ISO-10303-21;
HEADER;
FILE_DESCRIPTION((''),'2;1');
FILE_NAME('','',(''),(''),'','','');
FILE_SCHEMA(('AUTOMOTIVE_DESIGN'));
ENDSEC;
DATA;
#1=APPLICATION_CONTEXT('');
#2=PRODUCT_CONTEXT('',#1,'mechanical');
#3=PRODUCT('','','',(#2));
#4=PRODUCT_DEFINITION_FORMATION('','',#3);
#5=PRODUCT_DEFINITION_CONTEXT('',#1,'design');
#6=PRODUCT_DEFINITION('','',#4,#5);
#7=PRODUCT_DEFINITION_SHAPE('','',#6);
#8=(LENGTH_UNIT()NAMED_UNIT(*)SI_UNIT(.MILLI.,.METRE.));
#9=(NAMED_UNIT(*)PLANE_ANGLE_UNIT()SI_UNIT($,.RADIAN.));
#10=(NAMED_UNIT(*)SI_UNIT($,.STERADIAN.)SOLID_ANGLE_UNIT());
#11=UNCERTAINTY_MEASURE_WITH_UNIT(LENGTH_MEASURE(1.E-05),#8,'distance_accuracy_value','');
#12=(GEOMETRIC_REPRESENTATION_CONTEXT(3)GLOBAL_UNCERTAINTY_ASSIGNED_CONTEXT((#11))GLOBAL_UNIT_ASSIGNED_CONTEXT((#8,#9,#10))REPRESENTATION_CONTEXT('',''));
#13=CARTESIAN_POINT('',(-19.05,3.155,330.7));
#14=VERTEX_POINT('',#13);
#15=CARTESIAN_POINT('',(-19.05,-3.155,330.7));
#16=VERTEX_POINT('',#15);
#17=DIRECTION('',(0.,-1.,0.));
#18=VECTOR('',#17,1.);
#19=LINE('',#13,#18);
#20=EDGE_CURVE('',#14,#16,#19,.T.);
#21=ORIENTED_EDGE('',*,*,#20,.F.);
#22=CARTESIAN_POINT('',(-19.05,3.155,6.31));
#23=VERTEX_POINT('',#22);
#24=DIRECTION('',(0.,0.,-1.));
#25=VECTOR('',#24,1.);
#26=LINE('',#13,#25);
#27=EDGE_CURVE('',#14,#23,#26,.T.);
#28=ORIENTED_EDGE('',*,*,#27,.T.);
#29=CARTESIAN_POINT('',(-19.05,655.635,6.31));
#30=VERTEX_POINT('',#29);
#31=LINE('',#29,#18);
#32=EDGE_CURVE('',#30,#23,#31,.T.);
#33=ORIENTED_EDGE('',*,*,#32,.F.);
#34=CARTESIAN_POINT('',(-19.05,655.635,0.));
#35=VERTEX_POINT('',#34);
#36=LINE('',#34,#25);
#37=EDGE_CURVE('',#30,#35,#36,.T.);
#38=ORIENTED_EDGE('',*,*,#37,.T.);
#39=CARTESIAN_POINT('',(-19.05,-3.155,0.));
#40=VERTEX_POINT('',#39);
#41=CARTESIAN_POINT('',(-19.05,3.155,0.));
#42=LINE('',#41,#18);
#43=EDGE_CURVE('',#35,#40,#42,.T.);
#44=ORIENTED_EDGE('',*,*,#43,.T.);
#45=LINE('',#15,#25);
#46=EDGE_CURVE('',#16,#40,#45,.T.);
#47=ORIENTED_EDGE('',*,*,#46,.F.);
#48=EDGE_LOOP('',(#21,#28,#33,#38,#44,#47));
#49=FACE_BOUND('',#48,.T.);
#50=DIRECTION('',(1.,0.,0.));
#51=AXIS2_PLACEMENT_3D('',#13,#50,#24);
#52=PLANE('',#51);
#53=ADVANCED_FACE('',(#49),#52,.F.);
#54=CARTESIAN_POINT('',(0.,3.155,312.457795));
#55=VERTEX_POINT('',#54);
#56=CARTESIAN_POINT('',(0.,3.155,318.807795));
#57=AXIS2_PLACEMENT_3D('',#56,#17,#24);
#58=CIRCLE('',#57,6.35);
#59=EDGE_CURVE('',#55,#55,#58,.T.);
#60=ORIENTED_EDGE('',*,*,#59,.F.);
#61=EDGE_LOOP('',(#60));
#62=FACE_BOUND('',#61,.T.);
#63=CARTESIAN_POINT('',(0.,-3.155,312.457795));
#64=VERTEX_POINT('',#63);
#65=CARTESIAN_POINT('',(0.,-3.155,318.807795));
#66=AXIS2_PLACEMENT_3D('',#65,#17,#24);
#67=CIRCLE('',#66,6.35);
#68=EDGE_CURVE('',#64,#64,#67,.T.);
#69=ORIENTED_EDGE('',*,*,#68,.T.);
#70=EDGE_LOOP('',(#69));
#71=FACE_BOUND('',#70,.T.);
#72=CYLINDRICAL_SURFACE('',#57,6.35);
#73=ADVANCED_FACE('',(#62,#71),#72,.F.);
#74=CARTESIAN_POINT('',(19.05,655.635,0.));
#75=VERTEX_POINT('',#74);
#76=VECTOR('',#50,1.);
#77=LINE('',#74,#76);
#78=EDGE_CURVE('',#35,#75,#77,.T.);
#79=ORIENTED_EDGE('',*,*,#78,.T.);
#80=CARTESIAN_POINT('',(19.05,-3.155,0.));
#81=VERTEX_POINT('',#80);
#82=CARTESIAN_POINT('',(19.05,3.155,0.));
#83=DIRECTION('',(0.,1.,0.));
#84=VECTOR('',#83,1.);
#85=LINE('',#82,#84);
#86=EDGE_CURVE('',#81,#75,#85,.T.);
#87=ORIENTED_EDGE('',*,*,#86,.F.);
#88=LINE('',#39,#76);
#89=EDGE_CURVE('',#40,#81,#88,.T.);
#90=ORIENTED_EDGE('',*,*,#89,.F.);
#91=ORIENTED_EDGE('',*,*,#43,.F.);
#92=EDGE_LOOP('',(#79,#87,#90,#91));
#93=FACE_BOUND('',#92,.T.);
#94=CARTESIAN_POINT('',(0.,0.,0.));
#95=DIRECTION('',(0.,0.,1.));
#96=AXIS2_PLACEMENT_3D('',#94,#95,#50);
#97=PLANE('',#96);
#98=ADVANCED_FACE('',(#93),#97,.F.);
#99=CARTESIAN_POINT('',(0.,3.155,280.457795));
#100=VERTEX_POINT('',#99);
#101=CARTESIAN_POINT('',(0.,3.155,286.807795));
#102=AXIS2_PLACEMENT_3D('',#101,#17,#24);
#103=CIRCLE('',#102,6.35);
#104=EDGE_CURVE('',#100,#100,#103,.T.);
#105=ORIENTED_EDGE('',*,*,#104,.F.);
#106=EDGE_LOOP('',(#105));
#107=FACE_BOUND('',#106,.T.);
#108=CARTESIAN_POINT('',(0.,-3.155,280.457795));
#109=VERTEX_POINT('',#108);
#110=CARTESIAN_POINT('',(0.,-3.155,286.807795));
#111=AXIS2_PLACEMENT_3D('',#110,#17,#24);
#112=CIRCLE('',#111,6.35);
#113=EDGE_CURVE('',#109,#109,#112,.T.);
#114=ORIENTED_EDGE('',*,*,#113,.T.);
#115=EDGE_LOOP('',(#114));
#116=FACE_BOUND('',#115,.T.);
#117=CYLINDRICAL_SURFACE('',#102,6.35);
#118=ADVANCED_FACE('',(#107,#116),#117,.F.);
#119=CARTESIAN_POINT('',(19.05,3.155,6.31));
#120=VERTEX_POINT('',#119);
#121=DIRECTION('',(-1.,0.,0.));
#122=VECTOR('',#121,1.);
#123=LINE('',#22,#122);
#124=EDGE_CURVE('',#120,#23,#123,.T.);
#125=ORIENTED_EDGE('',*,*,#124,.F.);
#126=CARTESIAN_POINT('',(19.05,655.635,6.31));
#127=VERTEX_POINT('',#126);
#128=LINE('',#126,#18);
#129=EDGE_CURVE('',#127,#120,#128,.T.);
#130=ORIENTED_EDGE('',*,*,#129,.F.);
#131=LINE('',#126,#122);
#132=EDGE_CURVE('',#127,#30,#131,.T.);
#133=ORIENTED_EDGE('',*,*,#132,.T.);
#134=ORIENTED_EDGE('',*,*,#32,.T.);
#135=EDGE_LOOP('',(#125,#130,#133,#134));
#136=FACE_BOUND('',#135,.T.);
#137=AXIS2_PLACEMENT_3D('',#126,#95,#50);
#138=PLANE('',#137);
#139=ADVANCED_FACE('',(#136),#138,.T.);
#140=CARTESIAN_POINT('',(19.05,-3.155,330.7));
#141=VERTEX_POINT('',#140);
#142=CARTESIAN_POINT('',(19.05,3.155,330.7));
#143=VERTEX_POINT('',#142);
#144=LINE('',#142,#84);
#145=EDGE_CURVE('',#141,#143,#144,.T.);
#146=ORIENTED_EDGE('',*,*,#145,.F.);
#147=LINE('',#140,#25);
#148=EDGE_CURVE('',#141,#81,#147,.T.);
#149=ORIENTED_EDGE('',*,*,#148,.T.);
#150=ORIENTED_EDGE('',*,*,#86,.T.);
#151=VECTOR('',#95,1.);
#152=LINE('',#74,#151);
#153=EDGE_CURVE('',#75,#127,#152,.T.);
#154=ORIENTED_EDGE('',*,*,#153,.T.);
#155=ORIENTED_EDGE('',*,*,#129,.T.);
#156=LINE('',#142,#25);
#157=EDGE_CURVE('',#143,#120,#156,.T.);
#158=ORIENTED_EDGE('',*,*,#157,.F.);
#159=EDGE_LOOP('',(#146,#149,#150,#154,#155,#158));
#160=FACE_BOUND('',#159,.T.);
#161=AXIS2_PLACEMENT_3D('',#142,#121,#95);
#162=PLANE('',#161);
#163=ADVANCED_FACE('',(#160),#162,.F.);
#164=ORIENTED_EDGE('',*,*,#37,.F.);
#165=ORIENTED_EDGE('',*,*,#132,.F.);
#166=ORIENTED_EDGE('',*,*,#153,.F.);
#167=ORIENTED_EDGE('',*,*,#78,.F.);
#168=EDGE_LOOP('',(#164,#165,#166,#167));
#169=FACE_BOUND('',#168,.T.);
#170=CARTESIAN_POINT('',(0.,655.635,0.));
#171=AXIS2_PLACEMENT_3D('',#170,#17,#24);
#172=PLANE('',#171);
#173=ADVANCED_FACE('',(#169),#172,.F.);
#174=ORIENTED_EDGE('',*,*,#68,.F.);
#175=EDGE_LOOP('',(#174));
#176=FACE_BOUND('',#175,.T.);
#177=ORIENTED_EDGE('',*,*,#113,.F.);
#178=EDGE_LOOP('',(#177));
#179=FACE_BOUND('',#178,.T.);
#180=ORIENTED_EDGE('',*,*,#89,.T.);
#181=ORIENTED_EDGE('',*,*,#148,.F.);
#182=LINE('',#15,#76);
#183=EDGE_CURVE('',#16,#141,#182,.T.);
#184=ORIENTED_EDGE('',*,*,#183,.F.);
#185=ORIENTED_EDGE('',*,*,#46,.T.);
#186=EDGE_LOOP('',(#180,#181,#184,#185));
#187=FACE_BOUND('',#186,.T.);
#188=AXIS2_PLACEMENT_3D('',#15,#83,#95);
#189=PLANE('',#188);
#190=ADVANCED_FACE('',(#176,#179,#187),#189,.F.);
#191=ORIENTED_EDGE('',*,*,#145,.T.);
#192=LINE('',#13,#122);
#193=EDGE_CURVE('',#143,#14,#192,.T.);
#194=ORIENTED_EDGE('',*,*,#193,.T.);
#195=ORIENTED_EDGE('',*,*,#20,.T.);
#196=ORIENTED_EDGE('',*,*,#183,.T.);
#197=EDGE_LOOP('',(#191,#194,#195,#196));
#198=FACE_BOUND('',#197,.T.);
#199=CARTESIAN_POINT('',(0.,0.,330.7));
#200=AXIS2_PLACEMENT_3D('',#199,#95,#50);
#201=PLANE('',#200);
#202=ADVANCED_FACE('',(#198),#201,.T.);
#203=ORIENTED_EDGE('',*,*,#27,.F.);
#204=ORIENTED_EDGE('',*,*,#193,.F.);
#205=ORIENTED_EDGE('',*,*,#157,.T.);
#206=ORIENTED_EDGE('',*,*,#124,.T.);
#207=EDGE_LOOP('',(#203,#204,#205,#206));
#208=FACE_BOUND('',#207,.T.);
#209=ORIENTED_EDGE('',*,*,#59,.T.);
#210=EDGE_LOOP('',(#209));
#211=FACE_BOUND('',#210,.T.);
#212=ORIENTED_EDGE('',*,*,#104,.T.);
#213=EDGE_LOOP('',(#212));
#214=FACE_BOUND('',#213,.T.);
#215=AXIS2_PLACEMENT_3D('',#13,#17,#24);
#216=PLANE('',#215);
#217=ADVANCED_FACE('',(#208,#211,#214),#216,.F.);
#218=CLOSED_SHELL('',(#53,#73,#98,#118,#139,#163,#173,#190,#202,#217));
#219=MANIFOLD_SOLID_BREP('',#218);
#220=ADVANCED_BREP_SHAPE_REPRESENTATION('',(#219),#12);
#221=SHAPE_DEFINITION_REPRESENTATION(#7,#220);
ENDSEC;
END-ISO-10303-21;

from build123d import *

# Parameters (mm, degrees)
CROQUIS1_W              = 38.1
CROQUIS1_H              = 6.31
SALIENTE_EXTRUIR1_DEPTH = 330.7
CROQUIS3_W              = 38.1
CROQUIS3_H              = 6.31
SALIENTE_EXTRUIR2_DEPTH = 658.79
CROQUIS4_R              = 6.35
CORTAR_EXTRUIR1_DEPTH   = 6.31


with BuildPart() as part:
    # Croquis1 → Saliente-Extruir1 (new body)
    with BuildSketch(Plane.XY):
        Rectangle(CROQUIS1_W, CROQUIS1_H)
    extrude(amount=SALIENTE_EXTRUIR1_DEPTH)

    # Croquis3 → Saliente-Extruir2 (add)
    with BuildSketch(Plane.XZ.offset(3.155)):
        with Locations((0, 3.155)):
            Rectangle(CROQUIS3_W, CROQUIS3_H)
    extrude(amount=-SALIENTE_EXTRUIR2_DEPTH)

    # Croquis4 → Cortar-Extruir1 (cut)
    with BuildSketch(Plane(origin=(0, -3.155, 0), x_dir=(-1, 0, 0), z_dir=(0, -1, 0))):
        with Locations(Location((0, -286.807795334, 0), (0, 0, 90))):
            Circle(CROQUIS4_R)
        with Locations(Location((0, -318.807795334, 0), (0, 0, 90))):
            Circle(CROQUIS4_R)
    extrude(amount=-CORTAR_EXTRUIR1_DEPTH, mode=Mode.SUBTRACT)


solid = part.part
